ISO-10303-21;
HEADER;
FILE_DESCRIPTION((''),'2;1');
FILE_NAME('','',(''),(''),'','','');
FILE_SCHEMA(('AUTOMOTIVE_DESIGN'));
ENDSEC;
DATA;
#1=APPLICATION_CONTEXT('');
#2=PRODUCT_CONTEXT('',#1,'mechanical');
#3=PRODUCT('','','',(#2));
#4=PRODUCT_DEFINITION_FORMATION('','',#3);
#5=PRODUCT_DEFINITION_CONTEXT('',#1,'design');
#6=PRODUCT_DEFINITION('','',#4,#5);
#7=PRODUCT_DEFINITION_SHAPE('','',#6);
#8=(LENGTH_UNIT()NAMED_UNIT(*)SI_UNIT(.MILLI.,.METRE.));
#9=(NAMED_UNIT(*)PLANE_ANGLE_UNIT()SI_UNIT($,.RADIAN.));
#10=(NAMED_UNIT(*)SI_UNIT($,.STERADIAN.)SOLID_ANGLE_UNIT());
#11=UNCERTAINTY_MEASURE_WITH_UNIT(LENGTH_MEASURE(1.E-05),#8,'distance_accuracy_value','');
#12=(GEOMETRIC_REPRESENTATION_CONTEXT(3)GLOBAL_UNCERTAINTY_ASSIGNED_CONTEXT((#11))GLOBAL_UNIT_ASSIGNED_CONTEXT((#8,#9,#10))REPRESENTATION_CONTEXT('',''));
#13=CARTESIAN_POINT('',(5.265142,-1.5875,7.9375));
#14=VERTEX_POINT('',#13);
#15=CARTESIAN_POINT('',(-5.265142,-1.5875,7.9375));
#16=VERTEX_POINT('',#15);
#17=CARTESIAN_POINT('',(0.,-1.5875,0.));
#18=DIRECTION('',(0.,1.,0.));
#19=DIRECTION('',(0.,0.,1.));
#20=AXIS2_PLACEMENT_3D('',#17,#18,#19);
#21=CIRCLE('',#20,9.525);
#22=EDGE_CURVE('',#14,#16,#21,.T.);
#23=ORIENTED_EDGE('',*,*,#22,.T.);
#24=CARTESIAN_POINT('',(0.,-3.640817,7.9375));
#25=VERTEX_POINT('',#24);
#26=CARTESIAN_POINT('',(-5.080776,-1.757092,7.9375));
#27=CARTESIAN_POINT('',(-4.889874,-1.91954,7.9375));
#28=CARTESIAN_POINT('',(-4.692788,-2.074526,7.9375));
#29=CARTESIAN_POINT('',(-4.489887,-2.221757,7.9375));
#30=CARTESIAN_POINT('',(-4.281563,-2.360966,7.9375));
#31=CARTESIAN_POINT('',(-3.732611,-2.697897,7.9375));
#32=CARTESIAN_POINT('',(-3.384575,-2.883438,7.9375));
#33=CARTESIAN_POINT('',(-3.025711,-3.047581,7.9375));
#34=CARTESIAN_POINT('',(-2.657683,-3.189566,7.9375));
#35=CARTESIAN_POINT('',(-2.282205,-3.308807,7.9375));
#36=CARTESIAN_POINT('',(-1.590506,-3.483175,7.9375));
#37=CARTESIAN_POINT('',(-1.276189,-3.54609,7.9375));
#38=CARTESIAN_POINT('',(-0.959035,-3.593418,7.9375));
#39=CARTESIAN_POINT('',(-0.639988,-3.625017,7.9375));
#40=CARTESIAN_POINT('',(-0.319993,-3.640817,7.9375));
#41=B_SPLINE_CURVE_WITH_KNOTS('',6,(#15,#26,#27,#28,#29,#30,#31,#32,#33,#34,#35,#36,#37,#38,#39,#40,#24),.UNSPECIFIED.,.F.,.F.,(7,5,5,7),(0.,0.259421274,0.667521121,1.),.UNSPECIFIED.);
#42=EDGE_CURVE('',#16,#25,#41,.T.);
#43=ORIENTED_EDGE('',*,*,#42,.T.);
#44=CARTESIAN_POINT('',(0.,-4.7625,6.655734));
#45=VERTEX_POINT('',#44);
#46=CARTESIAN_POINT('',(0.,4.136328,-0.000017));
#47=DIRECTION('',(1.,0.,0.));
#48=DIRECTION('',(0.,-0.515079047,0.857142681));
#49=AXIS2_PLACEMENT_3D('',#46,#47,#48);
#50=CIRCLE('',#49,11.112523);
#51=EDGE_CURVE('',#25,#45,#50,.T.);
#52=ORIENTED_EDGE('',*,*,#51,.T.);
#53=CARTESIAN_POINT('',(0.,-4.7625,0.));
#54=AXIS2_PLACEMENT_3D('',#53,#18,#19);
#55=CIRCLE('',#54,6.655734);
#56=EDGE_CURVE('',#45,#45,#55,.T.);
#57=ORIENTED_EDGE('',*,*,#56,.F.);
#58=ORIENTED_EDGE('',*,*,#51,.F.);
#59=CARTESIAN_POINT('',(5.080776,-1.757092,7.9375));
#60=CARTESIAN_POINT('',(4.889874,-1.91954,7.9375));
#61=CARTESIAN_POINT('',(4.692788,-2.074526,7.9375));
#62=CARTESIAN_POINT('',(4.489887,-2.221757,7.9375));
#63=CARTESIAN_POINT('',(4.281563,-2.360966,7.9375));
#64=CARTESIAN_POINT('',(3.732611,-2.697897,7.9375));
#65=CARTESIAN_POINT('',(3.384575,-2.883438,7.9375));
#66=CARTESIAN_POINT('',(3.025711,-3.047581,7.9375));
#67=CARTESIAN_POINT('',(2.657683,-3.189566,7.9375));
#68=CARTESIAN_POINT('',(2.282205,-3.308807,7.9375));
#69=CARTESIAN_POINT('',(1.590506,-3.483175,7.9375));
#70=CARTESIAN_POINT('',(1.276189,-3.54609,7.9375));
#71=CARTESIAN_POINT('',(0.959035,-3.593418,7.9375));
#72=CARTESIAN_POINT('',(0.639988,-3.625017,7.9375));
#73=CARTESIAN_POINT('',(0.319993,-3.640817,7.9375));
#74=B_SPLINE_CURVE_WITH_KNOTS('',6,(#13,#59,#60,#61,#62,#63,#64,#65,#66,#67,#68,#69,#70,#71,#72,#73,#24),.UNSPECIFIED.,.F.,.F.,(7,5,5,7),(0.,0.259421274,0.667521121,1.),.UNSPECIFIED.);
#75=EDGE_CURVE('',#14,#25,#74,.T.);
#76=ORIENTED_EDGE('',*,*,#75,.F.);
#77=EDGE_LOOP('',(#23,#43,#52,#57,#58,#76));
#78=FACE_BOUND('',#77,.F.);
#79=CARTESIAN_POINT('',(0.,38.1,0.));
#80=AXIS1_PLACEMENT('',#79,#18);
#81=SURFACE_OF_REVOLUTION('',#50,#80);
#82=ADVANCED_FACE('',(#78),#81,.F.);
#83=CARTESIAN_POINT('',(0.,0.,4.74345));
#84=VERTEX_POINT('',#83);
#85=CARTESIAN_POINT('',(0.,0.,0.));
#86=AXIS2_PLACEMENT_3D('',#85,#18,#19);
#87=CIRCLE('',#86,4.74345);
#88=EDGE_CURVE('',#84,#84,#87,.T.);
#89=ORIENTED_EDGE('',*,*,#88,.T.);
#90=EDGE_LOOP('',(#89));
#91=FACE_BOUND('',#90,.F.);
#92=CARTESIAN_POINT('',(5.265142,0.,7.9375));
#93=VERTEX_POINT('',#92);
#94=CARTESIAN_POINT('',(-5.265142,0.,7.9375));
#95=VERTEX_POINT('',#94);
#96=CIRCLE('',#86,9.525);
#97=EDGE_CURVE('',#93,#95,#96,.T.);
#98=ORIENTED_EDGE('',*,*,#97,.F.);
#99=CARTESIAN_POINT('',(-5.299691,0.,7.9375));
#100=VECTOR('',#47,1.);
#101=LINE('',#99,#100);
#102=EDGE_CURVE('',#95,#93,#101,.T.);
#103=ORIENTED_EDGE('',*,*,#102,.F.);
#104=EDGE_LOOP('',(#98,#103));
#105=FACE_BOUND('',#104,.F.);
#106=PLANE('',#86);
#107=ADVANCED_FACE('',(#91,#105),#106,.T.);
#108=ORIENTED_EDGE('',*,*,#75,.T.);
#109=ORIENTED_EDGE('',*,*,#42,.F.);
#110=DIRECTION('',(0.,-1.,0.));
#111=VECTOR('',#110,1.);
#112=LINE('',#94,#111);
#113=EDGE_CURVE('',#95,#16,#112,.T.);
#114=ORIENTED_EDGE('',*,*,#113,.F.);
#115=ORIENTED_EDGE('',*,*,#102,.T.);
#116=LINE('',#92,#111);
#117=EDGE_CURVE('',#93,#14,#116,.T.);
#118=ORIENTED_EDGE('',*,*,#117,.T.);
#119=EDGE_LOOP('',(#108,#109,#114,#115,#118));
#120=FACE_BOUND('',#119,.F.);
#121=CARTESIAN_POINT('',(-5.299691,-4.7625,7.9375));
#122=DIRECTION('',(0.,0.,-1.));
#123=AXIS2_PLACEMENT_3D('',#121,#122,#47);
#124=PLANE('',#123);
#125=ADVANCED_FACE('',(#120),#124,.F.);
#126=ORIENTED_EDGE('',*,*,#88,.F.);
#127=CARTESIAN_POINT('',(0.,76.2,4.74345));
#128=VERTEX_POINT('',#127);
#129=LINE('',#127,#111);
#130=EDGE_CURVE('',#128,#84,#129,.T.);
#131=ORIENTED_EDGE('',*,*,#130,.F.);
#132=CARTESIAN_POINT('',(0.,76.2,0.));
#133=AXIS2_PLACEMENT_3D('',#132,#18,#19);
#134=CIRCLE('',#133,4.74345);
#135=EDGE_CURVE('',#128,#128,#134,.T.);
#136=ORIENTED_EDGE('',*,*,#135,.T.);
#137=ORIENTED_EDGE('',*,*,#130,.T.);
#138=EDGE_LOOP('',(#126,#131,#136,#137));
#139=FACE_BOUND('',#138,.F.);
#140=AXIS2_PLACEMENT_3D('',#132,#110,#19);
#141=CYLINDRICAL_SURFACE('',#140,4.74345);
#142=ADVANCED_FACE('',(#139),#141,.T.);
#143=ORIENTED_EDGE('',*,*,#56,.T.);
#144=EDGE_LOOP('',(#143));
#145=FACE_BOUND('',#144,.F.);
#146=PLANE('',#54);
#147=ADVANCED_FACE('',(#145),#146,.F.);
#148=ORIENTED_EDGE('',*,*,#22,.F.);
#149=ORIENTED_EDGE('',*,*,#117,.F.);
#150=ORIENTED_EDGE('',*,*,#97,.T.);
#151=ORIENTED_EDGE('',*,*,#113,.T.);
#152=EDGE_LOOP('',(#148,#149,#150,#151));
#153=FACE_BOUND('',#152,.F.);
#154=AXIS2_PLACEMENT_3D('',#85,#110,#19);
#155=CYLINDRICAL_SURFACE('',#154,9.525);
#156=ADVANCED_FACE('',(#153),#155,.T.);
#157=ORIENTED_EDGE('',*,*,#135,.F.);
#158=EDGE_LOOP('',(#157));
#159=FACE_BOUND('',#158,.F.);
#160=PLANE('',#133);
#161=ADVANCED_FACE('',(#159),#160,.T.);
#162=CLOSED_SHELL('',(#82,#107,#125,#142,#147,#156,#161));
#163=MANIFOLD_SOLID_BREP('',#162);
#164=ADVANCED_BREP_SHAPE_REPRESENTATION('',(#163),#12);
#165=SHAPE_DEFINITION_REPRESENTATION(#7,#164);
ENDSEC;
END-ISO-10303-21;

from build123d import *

# Parameters (mm, degrees)
F3_DEPTH = 4.7625


with BuildPart() as f1:
    # F0 (on Right) → F1 (revolve)
    with BuildSketch(Plane.YZ):
        with BuildLine():
            Line((-1.5875, 0), (0, 0))
            Line((0, 0), (76.2, 0))
            Line((76.2, 0), (76.2, 4.74345))
            Line((76.2, 4.74345), (0, 4.74345))
            Line((0, 4.74345), (0, 9.525))
            Line((0, 9.525), (-1.5875, 9.525))
            ThreePointArc((-1.5875, 9.525), (-3.314423, 8.244646), (-4.7625, 6.655734))
            Line((-4.7625, 6.655734), (-4.7625, 0))
            Line((-4.7625, 0), (-1.5875, 0))
        make_face()
    revolve(axis=Axis((0, 38.1, 0), (0, 1, 0)))

    # F2 (on face) → F3 (cut)
    with BuildSketch(Plane.XZ.offset(4.7625)):
        with BuildLine():
            ThreePointArc((5.299691, 7.9375), (0, 9.544141), (-5.299691, 7.9375))
            Line((-5.299691, 7.9375), (5.299691, 7.9375))
        make_face()
    extrude(amount=-F3_DEPTH, mode=Mode.SUBTRACT)


solid = f1.part
